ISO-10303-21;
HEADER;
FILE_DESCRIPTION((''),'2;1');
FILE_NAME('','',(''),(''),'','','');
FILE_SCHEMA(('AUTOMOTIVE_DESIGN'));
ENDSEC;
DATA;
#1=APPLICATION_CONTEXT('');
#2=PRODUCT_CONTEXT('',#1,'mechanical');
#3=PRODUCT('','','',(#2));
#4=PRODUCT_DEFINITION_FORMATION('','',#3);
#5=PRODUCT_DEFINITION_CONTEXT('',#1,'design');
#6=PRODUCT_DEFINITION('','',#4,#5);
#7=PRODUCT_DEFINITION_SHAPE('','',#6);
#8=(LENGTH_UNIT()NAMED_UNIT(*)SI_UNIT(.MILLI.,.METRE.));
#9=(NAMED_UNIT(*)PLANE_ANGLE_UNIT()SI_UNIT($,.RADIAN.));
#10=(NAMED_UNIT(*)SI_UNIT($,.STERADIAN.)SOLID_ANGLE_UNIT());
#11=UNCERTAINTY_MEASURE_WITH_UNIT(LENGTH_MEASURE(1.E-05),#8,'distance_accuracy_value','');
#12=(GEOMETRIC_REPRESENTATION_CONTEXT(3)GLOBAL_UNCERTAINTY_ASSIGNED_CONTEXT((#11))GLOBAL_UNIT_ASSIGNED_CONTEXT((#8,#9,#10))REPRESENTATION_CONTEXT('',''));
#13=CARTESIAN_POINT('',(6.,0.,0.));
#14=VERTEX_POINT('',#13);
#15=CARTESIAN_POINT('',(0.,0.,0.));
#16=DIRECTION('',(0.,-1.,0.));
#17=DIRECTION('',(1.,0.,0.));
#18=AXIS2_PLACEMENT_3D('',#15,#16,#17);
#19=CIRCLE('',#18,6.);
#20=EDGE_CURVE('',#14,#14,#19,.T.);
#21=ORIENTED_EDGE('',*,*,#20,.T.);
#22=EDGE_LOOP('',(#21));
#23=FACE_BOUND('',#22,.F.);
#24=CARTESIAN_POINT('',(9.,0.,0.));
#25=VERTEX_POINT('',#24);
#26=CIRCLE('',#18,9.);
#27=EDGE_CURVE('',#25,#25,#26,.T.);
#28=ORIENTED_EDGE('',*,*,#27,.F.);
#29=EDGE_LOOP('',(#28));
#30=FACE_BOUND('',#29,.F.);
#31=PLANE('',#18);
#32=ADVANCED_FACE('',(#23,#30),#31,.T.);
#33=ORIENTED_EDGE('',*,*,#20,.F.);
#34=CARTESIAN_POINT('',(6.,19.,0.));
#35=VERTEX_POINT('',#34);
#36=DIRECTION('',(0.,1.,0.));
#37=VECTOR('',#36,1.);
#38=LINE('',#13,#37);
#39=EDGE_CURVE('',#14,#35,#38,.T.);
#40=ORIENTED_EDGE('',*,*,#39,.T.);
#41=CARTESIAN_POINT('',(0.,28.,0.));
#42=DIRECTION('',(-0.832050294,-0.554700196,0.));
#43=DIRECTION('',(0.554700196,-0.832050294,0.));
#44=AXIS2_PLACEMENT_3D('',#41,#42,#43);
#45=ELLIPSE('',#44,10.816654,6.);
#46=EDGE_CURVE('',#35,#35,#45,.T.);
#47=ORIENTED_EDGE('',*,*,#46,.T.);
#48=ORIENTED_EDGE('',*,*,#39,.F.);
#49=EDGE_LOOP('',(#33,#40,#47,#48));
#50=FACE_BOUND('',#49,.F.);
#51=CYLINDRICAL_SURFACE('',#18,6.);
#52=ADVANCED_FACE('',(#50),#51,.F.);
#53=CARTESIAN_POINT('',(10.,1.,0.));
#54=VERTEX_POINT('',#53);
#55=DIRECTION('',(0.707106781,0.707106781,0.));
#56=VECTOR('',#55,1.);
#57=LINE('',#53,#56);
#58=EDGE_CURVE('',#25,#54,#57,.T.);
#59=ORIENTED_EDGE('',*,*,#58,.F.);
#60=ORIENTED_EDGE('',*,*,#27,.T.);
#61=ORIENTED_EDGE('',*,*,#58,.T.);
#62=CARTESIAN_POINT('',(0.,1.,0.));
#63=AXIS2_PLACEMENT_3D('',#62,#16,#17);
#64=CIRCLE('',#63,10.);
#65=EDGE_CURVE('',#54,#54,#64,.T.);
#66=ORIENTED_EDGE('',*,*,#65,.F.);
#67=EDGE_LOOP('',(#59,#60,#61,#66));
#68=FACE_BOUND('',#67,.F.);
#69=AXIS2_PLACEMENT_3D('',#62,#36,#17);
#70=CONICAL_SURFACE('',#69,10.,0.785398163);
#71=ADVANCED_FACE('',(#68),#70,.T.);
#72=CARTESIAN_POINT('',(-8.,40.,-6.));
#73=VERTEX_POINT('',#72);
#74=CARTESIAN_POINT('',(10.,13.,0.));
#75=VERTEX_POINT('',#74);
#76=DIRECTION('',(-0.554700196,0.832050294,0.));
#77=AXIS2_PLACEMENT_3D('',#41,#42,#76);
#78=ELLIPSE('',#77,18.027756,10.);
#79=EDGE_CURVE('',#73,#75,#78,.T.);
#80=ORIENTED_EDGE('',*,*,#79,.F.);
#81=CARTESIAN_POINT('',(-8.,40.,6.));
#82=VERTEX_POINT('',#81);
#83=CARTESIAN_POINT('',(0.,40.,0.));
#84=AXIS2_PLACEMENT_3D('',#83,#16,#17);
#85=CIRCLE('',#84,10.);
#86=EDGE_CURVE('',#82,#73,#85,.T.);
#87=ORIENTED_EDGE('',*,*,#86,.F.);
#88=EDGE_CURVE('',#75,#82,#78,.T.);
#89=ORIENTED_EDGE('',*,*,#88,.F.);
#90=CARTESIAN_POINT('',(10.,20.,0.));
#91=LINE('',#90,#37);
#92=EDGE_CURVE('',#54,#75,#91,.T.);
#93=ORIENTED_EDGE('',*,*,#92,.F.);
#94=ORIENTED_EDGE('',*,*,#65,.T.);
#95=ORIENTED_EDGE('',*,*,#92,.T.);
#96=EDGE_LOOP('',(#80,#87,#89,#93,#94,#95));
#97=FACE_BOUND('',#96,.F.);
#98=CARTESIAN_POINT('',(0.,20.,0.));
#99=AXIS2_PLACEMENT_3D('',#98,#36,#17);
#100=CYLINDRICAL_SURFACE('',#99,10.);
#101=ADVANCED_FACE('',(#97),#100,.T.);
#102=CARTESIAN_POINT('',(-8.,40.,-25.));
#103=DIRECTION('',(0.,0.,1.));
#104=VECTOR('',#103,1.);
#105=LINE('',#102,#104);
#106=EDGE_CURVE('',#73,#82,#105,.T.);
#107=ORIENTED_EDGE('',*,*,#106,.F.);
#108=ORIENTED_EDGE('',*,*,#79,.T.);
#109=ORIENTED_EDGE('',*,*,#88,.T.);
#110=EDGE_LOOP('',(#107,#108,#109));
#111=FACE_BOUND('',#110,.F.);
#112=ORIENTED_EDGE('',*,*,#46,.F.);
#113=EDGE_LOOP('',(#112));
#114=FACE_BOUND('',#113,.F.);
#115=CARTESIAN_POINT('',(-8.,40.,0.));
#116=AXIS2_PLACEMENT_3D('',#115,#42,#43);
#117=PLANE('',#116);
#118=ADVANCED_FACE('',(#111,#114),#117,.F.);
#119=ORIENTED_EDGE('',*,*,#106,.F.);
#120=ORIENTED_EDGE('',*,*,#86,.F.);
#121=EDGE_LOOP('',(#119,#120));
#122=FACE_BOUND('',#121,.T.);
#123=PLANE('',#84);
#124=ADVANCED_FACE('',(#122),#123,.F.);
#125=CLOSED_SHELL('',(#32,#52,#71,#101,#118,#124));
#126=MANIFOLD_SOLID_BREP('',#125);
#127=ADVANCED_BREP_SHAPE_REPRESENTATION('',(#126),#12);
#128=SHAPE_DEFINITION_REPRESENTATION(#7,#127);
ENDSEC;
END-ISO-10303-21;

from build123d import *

# Parameters (mm, degrees)
F0_W     = 10
F0_H     = 40
F3_DEPTH = 25
F4_SIZE  = 1
F5_R     = 6
F6_DEPTH = 50


with BuildPart() as f1:
    # F0 (on Top) → F1 (revolve)
    with BuildSketch(Plane.XY):
        with Locations((5, 20)):
            Rectangle(F0_W, F0_H)
    revolve(axis=Axis((0, 20, 0), (0, -1, 0)))

    # F2 (on Top) → F3 (cut, symmetric)
    with BuildSketch(Plane.XY):
        Polygon((10, 40), (-8, 40), (10, 13), align=None)
    extrude(amount=F3_DEPTH, both=True, mode=Mode.SUBTRACT)

    # F4
    f4_edges = [f1.edges().sort_by_distance(p)[0] for p in [
        (-10, 0, 0),
    ]]
    chamfer(f4_edges, length=F4_SIZE)

    # F5 (on face) → F6 (cut)
    with BuildSketch(Plane.XZ):
        Circle(F5_R)
    extrude(amount=-F6_DEPTH, mode=Mode.SUBTRACT)


solid = f1.part
